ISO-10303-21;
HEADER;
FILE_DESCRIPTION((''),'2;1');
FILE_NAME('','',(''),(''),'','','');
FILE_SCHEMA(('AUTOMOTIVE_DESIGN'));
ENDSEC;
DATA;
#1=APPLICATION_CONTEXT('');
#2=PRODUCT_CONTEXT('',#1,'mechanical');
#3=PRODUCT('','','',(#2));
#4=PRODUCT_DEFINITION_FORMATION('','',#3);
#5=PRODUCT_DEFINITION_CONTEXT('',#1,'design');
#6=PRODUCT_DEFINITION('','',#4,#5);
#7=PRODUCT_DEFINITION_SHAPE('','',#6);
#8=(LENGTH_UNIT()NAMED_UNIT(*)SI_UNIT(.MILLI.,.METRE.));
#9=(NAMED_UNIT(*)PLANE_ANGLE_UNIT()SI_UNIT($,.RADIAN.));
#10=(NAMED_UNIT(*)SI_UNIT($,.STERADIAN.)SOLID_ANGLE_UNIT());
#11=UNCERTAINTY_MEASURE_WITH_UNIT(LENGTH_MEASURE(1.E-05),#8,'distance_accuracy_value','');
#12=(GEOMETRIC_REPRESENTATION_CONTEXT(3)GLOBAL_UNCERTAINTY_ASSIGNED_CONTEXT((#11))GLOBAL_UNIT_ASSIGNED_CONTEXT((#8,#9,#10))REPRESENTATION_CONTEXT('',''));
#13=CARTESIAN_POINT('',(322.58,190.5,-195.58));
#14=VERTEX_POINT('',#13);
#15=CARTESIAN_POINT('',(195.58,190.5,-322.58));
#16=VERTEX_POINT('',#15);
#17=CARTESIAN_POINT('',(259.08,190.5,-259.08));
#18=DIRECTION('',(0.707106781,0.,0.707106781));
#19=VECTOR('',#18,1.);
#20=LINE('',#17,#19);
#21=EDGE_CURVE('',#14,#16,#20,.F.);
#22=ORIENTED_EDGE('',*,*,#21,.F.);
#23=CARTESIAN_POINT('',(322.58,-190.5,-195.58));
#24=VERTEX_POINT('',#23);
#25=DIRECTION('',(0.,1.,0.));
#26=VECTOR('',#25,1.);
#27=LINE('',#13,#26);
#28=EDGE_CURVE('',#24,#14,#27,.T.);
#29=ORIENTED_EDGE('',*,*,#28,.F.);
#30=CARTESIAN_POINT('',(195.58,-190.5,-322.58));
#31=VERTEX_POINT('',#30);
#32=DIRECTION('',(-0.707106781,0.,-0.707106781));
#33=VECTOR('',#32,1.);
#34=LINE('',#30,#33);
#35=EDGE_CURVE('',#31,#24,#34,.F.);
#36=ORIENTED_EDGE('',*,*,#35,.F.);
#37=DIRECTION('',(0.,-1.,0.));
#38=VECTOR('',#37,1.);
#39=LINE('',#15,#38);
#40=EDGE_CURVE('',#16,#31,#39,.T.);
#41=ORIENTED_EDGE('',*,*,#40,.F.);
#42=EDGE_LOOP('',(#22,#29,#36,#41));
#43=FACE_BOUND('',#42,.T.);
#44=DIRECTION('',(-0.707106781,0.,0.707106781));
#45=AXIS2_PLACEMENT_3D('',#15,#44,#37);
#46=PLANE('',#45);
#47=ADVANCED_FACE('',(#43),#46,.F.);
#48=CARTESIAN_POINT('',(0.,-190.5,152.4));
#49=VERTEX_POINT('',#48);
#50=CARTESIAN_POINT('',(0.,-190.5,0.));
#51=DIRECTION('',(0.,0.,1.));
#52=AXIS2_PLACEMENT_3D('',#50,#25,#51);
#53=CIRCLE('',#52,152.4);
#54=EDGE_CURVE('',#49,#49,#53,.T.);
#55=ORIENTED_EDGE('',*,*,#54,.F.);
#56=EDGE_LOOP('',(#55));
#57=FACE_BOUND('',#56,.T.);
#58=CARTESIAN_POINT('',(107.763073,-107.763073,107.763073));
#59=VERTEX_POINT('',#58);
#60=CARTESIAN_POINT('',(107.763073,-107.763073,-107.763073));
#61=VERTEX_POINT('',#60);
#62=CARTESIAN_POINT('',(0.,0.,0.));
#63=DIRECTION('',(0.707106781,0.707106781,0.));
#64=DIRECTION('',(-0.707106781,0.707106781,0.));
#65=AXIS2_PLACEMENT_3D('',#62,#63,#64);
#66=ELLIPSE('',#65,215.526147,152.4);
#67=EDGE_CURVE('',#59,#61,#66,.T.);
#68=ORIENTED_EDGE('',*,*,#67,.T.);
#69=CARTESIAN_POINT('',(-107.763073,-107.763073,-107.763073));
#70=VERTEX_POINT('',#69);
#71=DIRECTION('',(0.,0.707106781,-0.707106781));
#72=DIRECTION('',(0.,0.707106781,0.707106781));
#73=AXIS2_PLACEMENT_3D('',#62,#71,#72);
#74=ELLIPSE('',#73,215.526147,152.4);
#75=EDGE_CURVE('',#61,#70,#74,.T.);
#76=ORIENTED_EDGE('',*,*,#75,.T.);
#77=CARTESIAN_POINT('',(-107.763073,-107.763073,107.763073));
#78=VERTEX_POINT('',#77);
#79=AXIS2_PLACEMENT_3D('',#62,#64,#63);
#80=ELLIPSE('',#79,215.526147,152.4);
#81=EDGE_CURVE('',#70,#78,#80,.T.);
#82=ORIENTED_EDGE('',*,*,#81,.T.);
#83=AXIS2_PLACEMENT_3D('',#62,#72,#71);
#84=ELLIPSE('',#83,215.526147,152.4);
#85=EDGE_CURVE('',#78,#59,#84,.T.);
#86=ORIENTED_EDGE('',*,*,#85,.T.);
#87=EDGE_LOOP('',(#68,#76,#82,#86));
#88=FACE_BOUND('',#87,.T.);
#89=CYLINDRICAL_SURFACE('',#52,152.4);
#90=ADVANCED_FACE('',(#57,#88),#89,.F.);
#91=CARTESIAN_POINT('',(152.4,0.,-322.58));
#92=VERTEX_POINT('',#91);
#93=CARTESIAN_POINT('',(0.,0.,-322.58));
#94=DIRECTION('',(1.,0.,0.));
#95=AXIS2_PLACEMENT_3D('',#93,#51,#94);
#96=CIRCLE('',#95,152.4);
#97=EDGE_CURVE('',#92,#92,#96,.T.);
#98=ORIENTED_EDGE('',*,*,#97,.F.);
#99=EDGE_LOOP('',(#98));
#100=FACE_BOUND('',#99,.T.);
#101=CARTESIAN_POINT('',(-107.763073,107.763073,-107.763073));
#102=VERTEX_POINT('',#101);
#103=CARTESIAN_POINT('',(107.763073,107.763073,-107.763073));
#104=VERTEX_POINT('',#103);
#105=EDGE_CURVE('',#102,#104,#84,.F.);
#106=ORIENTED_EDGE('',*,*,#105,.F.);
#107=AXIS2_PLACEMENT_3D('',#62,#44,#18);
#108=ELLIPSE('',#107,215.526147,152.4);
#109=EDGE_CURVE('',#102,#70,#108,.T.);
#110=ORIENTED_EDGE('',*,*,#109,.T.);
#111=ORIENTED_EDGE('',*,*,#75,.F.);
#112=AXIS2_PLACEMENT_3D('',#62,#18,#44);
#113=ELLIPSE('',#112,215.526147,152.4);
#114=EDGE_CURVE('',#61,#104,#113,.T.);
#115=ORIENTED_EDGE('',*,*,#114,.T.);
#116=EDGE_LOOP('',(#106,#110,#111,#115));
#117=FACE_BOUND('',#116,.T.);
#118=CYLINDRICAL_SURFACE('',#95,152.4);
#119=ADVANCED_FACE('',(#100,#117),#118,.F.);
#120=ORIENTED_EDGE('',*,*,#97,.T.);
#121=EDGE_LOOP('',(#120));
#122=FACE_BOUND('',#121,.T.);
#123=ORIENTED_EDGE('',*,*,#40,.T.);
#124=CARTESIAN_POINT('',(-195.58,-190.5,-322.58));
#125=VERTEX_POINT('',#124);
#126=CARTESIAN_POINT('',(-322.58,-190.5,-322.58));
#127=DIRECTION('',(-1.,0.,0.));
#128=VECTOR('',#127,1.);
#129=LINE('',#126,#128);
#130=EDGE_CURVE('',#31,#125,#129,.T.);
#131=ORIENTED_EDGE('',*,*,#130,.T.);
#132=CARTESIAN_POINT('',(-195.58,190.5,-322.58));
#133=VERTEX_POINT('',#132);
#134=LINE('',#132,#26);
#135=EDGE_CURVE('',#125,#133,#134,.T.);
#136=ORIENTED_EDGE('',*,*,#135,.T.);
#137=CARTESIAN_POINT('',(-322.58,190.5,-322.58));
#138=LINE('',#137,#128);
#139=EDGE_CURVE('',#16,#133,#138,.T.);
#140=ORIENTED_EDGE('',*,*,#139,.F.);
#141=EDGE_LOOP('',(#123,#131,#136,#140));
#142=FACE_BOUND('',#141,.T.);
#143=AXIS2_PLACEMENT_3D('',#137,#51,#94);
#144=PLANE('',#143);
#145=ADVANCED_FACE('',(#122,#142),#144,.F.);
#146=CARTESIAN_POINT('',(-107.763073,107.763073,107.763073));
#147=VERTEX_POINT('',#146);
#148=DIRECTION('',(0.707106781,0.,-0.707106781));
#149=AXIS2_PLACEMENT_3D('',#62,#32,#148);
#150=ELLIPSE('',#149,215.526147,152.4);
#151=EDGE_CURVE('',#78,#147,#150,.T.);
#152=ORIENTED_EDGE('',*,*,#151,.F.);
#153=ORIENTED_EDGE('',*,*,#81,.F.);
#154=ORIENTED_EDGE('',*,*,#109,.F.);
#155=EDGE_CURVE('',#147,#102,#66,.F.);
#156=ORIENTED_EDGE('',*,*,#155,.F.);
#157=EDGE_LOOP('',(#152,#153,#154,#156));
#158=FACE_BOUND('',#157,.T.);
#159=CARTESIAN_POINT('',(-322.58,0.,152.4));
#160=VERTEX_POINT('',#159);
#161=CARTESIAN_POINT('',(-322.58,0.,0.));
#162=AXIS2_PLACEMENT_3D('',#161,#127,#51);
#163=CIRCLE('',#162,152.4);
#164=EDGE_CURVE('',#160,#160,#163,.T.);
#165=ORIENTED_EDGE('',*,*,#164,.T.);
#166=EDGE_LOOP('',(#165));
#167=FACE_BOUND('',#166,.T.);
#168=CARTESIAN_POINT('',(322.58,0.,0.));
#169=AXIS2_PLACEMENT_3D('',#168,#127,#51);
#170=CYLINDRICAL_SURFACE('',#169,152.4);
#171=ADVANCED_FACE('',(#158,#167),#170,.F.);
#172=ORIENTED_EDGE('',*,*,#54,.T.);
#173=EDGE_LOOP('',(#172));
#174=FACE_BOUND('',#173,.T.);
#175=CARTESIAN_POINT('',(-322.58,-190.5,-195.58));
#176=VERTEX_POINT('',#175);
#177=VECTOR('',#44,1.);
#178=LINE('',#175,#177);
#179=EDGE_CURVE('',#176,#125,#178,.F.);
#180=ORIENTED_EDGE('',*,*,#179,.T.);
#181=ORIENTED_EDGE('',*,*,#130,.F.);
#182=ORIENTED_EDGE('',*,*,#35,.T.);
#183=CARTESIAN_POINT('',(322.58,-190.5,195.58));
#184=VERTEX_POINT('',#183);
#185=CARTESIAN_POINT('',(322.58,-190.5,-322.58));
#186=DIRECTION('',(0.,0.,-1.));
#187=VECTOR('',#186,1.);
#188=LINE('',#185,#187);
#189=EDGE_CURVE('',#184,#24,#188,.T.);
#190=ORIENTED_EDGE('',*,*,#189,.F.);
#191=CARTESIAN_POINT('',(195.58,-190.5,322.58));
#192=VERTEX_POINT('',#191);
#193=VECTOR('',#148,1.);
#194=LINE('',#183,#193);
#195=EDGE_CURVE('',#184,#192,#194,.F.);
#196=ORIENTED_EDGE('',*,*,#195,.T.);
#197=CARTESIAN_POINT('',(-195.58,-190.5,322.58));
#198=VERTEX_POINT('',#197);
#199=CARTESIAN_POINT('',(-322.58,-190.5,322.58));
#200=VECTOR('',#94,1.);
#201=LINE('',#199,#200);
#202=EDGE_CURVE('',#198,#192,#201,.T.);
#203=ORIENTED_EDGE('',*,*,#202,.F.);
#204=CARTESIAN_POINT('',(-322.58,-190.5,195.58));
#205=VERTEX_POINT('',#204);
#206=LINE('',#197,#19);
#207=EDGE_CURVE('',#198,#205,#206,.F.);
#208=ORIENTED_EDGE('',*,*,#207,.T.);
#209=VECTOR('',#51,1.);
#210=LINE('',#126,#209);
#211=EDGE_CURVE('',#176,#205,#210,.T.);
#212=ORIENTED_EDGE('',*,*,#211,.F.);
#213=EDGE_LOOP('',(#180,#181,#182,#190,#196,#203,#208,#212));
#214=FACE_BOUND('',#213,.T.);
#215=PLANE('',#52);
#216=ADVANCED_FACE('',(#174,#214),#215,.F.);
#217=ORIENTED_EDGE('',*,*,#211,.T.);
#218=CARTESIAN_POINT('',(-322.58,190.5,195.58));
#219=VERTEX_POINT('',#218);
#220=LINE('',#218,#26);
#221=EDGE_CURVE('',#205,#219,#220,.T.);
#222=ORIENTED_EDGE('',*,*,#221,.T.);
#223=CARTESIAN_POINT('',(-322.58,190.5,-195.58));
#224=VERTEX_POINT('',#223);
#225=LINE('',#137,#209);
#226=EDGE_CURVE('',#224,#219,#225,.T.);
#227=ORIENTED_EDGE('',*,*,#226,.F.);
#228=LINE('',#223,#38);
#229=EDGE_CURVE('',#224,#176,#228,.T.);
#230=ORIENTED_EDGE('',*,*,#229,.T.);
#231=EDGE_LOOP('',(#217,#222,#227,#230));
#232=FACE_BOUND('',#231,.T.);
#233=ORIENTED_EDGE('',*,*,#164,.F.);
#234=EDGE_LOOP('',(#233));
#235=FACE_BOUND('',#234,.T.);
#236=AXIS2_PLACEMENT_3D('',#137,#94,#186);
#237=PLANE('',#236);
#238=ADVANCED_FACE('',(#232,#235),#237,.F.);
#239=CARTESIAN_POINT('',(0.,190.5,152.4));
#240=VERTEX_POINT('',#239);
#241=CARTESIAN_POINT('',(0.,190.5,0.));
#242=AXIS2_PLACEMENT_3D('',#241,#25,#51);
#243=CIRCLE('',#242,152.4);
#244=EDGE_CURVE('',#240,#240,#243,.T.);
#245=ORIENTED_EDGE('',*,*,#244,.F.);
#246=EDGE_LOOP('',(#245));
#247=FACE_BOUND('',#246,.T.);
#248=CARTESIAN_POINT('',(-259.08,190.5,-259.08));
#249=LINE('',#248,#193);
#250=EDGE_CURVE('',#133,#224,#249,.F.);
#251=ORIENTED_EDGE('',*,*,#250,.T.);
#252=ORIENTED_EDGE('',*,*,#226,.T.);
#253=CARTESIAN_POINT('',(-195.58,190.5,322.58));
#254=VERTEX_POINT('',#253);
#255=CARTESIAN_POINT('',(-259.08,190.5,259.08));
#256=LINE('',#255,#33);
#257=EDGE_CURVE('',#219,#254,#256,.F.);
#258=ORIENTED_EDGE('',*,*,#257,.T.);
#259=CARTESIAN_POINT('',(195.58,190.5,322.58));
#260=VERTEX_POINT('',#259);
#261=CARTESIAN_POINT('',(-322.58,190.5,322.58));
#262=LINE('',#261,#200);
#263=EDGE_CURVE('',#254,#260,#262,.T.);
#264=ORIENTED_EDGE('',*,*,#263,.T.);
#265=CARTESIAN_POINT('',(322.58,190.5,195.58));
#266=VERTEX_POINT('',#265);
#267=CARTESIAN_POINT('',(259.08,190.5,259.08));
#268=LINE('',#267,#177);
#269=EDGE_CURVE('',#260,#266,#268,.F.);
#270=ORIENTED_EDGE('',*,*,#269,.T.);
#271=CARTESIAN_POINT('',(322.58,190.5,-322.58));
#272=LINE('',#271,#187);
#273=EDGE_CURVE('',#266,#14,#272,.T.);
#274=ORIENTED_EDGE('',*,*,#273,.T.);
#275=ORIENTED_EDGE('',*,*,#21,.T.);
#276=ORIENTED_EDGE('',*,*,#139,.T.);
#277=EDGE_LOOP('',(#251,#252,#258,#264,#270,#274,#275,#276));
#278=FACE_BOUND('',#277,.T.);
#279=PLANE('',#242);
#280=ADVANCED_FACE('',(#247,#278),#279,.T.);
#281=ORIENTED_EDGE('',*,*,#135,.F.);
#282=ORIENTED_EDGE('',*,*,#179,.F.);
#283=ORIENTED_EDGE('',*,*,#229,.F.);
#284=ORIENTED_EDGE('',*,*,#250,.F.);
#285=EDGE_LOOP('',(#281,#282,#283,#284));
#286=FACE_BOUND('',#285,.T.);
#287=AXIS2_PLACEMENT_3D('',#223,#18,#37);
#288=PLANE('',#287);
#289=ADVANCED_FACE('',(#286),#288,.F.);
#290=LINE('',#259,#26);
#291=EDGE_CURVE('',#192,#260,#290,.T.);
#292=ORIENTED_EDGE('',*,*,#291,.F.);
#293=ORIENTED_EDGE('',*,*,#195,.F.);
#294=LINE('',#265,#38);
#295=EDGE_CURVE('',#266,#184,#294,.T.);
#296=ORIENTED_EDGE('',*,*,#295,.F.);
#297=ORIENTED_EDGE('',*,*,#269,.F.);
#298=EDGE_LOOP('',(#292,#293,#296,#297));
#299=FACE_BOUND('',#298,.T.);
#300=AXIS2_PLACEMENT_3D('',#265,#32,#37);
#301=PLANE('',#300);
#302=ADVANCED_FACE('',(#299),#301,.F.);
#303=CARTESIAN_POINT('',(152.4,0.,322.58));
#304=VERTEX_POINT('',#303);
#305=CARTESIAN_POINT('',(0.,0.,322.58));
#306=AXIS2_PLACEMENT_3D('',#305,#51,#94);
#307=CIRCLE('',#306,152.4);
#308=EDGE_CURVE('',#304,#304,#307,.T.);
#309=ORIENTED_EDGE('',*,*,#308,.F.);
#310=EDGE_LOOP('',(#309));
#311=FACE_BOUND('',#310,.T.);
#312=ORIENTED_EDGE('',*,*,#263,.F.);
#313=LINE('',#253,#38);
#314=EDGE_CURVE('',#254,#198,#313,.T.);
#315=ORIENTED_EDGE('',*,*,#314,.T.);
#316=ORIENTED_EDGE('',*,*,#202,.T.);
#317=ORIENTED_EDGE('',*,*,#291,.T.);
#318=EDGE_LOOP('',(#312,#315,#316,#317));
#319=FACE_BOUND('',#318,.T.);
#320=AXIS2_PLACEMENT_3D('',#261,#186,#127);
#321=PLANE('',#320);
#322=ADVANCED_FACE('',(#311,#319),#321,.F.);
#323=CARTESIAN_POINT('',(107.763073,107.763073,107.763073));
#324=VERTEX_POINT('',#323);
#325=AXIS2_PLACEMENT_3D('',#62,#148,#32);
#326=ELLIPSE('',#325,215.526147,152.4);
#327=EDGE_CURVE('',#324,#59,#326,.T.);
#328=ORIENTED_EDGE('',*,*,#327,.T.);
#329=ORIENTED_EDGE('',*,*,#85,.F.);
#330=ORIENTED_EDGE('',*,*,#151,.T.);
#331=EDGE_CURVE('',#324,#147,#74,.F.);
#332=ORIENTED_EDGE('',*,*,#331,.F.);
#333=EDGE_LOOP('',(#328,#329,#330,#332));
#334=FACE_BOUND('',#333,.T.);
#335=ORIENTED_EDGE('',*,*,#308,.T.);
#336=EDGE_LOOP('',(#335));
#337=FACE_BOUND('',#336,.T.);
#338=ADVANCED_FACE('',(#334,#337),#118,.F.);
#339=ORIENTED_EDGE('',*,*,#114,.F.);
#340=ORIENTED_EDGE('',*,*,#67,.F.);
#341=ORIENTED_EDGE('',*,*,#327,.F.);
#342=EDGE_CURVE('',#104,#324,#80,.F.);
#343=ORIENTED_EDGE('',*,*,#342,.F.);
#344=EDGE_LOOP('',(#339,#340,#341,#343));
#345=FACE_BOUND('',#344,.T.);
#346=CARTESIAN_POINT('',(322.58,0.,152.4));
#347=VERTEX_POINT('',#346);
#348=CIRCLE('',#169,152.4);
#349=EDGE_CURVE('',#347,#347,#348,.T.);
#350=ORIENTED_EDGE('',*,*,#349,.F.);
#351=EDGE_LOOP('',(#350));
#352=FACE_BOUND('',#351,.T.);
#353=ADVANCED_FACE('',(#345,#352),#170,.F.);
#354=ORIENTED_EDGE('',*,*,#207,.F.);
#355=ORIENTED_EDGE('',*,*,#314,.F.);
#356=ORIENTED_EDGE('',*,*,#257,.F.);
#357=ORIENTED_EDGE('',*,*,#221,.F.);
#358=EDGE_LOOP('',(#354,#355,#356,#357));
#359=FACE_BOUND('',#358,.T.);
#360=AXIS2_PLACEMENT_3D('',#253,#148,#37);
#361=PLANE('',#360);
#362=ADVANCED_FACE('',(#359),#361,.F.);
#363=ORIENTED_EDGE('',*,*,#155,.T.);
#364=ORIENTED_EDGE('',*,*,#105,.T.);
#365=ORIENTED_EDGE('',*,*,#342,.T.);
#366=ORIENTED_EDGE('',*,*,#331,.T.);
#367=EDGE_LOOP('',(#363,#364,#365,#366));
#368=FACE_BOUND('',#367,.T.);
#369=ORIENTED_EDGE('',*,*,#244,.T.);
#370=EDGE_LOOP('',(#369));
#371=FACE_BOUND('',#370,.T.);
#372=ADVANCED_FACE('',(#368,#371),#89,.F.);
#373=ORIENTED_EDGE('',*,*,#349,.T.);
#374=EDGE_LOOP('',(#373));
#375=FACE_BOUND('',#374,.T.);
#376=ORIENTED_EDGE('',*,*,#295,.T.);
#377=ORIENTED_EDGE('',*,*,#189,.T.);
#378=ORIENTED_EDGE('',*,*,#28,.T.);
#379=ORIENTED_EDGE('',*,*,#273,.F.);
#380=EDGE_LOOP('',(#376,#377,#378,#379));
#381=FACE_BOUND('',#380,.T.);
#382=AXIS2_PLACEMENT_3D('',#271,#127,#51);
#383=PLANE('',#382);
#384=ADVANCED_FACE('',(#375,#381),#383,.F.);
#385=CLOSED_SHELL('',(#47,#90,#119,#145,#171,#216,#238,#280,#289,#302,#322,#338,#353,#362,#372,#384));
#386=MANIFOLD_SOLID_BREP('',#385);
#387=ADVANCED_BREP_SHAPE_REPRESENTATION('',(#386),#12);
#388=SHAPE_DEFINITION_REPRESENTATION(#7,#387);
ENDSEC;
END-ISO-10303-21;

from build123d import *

# Parameters (mm, degrees)
SKETCH1_W           = 645.16
SKETCH1_H           = 645.16
BOSS_EXTRUDE1_DEPTH = 190.5
CHAMFER1_SIZE       = 127
SKETCH2_R           = 152.4
CUT_EXTRUDE1_DEPTH  = 595.370854602
SKETCH3_R           = 152.4
CUT_EXTRUDE2_DEPTH  = 747.042580554
CIRPATTERN1_COUNT   = 4


with BuildPart() as part:
    # Sketch1 → Boss-Extrude1 (new, symmetric)
    with BuildSketch(Plane(origin=(0, 0, 0), x_dir=(1, 0, 0), z_dir=(0, 1, 0))):
        Rectangle(SKETCH1_W, SKETCH1_H)
    extrude(amount=BOSS_EXTRUDE1_DEPTH, both=True)

    # Chamfer1
    chamfer1_edges = [part.edges().sort_by_distance(p)[0] for p in [
        (322.58, 0, 322.58),
        (-322.58, 0, 322.58),
        (-322.58, 0, -322.58),
        (322.58, 0, -322.58),
    ]]
    chamfer(chamfer1_edges, length=CHAMFER1_SIZE)

    # Sketch2 → Cut-Extrude1 (cut, through all)
    with BuildSketch(Plane(origin=(0, 190.5, 0), x_dir=(1, 0, 0), z_dir=(0, 1, 0))):
        with Locations(Location((0, 0, 0), (0, 0, 270))):
            Circle(SKETCH2_R)
    extrude(amount=-CUT_EXTRUDE1_DEPTH, mode=Mode.SUBTRACT)

    # Sketch3 → Cut-Extrude2 (cut, through all)
    with BuildSketch(Plane.XY.offset(322.58)):
        Circle(SKETCH3_R)
    cut_extrude2 = extrude(amount=-CUT_EXTRUDE2_DEPTH, mode=Mode.SUBTRACT)

    # CirPattern1: Cut-Extrude2 ×4 about axis
    cirpattern1_axis = Axis((0, -190.5, 0), (0, 1, 0))
    for i in range(1, CIRPATTERN1_COUNT):
        add(cut_extrude2.rotate(cirpattern1_axis, i * 360 / CIRPATTERN1_COUNT), mode=Mode.SUBTRACT)


solid = part.part
